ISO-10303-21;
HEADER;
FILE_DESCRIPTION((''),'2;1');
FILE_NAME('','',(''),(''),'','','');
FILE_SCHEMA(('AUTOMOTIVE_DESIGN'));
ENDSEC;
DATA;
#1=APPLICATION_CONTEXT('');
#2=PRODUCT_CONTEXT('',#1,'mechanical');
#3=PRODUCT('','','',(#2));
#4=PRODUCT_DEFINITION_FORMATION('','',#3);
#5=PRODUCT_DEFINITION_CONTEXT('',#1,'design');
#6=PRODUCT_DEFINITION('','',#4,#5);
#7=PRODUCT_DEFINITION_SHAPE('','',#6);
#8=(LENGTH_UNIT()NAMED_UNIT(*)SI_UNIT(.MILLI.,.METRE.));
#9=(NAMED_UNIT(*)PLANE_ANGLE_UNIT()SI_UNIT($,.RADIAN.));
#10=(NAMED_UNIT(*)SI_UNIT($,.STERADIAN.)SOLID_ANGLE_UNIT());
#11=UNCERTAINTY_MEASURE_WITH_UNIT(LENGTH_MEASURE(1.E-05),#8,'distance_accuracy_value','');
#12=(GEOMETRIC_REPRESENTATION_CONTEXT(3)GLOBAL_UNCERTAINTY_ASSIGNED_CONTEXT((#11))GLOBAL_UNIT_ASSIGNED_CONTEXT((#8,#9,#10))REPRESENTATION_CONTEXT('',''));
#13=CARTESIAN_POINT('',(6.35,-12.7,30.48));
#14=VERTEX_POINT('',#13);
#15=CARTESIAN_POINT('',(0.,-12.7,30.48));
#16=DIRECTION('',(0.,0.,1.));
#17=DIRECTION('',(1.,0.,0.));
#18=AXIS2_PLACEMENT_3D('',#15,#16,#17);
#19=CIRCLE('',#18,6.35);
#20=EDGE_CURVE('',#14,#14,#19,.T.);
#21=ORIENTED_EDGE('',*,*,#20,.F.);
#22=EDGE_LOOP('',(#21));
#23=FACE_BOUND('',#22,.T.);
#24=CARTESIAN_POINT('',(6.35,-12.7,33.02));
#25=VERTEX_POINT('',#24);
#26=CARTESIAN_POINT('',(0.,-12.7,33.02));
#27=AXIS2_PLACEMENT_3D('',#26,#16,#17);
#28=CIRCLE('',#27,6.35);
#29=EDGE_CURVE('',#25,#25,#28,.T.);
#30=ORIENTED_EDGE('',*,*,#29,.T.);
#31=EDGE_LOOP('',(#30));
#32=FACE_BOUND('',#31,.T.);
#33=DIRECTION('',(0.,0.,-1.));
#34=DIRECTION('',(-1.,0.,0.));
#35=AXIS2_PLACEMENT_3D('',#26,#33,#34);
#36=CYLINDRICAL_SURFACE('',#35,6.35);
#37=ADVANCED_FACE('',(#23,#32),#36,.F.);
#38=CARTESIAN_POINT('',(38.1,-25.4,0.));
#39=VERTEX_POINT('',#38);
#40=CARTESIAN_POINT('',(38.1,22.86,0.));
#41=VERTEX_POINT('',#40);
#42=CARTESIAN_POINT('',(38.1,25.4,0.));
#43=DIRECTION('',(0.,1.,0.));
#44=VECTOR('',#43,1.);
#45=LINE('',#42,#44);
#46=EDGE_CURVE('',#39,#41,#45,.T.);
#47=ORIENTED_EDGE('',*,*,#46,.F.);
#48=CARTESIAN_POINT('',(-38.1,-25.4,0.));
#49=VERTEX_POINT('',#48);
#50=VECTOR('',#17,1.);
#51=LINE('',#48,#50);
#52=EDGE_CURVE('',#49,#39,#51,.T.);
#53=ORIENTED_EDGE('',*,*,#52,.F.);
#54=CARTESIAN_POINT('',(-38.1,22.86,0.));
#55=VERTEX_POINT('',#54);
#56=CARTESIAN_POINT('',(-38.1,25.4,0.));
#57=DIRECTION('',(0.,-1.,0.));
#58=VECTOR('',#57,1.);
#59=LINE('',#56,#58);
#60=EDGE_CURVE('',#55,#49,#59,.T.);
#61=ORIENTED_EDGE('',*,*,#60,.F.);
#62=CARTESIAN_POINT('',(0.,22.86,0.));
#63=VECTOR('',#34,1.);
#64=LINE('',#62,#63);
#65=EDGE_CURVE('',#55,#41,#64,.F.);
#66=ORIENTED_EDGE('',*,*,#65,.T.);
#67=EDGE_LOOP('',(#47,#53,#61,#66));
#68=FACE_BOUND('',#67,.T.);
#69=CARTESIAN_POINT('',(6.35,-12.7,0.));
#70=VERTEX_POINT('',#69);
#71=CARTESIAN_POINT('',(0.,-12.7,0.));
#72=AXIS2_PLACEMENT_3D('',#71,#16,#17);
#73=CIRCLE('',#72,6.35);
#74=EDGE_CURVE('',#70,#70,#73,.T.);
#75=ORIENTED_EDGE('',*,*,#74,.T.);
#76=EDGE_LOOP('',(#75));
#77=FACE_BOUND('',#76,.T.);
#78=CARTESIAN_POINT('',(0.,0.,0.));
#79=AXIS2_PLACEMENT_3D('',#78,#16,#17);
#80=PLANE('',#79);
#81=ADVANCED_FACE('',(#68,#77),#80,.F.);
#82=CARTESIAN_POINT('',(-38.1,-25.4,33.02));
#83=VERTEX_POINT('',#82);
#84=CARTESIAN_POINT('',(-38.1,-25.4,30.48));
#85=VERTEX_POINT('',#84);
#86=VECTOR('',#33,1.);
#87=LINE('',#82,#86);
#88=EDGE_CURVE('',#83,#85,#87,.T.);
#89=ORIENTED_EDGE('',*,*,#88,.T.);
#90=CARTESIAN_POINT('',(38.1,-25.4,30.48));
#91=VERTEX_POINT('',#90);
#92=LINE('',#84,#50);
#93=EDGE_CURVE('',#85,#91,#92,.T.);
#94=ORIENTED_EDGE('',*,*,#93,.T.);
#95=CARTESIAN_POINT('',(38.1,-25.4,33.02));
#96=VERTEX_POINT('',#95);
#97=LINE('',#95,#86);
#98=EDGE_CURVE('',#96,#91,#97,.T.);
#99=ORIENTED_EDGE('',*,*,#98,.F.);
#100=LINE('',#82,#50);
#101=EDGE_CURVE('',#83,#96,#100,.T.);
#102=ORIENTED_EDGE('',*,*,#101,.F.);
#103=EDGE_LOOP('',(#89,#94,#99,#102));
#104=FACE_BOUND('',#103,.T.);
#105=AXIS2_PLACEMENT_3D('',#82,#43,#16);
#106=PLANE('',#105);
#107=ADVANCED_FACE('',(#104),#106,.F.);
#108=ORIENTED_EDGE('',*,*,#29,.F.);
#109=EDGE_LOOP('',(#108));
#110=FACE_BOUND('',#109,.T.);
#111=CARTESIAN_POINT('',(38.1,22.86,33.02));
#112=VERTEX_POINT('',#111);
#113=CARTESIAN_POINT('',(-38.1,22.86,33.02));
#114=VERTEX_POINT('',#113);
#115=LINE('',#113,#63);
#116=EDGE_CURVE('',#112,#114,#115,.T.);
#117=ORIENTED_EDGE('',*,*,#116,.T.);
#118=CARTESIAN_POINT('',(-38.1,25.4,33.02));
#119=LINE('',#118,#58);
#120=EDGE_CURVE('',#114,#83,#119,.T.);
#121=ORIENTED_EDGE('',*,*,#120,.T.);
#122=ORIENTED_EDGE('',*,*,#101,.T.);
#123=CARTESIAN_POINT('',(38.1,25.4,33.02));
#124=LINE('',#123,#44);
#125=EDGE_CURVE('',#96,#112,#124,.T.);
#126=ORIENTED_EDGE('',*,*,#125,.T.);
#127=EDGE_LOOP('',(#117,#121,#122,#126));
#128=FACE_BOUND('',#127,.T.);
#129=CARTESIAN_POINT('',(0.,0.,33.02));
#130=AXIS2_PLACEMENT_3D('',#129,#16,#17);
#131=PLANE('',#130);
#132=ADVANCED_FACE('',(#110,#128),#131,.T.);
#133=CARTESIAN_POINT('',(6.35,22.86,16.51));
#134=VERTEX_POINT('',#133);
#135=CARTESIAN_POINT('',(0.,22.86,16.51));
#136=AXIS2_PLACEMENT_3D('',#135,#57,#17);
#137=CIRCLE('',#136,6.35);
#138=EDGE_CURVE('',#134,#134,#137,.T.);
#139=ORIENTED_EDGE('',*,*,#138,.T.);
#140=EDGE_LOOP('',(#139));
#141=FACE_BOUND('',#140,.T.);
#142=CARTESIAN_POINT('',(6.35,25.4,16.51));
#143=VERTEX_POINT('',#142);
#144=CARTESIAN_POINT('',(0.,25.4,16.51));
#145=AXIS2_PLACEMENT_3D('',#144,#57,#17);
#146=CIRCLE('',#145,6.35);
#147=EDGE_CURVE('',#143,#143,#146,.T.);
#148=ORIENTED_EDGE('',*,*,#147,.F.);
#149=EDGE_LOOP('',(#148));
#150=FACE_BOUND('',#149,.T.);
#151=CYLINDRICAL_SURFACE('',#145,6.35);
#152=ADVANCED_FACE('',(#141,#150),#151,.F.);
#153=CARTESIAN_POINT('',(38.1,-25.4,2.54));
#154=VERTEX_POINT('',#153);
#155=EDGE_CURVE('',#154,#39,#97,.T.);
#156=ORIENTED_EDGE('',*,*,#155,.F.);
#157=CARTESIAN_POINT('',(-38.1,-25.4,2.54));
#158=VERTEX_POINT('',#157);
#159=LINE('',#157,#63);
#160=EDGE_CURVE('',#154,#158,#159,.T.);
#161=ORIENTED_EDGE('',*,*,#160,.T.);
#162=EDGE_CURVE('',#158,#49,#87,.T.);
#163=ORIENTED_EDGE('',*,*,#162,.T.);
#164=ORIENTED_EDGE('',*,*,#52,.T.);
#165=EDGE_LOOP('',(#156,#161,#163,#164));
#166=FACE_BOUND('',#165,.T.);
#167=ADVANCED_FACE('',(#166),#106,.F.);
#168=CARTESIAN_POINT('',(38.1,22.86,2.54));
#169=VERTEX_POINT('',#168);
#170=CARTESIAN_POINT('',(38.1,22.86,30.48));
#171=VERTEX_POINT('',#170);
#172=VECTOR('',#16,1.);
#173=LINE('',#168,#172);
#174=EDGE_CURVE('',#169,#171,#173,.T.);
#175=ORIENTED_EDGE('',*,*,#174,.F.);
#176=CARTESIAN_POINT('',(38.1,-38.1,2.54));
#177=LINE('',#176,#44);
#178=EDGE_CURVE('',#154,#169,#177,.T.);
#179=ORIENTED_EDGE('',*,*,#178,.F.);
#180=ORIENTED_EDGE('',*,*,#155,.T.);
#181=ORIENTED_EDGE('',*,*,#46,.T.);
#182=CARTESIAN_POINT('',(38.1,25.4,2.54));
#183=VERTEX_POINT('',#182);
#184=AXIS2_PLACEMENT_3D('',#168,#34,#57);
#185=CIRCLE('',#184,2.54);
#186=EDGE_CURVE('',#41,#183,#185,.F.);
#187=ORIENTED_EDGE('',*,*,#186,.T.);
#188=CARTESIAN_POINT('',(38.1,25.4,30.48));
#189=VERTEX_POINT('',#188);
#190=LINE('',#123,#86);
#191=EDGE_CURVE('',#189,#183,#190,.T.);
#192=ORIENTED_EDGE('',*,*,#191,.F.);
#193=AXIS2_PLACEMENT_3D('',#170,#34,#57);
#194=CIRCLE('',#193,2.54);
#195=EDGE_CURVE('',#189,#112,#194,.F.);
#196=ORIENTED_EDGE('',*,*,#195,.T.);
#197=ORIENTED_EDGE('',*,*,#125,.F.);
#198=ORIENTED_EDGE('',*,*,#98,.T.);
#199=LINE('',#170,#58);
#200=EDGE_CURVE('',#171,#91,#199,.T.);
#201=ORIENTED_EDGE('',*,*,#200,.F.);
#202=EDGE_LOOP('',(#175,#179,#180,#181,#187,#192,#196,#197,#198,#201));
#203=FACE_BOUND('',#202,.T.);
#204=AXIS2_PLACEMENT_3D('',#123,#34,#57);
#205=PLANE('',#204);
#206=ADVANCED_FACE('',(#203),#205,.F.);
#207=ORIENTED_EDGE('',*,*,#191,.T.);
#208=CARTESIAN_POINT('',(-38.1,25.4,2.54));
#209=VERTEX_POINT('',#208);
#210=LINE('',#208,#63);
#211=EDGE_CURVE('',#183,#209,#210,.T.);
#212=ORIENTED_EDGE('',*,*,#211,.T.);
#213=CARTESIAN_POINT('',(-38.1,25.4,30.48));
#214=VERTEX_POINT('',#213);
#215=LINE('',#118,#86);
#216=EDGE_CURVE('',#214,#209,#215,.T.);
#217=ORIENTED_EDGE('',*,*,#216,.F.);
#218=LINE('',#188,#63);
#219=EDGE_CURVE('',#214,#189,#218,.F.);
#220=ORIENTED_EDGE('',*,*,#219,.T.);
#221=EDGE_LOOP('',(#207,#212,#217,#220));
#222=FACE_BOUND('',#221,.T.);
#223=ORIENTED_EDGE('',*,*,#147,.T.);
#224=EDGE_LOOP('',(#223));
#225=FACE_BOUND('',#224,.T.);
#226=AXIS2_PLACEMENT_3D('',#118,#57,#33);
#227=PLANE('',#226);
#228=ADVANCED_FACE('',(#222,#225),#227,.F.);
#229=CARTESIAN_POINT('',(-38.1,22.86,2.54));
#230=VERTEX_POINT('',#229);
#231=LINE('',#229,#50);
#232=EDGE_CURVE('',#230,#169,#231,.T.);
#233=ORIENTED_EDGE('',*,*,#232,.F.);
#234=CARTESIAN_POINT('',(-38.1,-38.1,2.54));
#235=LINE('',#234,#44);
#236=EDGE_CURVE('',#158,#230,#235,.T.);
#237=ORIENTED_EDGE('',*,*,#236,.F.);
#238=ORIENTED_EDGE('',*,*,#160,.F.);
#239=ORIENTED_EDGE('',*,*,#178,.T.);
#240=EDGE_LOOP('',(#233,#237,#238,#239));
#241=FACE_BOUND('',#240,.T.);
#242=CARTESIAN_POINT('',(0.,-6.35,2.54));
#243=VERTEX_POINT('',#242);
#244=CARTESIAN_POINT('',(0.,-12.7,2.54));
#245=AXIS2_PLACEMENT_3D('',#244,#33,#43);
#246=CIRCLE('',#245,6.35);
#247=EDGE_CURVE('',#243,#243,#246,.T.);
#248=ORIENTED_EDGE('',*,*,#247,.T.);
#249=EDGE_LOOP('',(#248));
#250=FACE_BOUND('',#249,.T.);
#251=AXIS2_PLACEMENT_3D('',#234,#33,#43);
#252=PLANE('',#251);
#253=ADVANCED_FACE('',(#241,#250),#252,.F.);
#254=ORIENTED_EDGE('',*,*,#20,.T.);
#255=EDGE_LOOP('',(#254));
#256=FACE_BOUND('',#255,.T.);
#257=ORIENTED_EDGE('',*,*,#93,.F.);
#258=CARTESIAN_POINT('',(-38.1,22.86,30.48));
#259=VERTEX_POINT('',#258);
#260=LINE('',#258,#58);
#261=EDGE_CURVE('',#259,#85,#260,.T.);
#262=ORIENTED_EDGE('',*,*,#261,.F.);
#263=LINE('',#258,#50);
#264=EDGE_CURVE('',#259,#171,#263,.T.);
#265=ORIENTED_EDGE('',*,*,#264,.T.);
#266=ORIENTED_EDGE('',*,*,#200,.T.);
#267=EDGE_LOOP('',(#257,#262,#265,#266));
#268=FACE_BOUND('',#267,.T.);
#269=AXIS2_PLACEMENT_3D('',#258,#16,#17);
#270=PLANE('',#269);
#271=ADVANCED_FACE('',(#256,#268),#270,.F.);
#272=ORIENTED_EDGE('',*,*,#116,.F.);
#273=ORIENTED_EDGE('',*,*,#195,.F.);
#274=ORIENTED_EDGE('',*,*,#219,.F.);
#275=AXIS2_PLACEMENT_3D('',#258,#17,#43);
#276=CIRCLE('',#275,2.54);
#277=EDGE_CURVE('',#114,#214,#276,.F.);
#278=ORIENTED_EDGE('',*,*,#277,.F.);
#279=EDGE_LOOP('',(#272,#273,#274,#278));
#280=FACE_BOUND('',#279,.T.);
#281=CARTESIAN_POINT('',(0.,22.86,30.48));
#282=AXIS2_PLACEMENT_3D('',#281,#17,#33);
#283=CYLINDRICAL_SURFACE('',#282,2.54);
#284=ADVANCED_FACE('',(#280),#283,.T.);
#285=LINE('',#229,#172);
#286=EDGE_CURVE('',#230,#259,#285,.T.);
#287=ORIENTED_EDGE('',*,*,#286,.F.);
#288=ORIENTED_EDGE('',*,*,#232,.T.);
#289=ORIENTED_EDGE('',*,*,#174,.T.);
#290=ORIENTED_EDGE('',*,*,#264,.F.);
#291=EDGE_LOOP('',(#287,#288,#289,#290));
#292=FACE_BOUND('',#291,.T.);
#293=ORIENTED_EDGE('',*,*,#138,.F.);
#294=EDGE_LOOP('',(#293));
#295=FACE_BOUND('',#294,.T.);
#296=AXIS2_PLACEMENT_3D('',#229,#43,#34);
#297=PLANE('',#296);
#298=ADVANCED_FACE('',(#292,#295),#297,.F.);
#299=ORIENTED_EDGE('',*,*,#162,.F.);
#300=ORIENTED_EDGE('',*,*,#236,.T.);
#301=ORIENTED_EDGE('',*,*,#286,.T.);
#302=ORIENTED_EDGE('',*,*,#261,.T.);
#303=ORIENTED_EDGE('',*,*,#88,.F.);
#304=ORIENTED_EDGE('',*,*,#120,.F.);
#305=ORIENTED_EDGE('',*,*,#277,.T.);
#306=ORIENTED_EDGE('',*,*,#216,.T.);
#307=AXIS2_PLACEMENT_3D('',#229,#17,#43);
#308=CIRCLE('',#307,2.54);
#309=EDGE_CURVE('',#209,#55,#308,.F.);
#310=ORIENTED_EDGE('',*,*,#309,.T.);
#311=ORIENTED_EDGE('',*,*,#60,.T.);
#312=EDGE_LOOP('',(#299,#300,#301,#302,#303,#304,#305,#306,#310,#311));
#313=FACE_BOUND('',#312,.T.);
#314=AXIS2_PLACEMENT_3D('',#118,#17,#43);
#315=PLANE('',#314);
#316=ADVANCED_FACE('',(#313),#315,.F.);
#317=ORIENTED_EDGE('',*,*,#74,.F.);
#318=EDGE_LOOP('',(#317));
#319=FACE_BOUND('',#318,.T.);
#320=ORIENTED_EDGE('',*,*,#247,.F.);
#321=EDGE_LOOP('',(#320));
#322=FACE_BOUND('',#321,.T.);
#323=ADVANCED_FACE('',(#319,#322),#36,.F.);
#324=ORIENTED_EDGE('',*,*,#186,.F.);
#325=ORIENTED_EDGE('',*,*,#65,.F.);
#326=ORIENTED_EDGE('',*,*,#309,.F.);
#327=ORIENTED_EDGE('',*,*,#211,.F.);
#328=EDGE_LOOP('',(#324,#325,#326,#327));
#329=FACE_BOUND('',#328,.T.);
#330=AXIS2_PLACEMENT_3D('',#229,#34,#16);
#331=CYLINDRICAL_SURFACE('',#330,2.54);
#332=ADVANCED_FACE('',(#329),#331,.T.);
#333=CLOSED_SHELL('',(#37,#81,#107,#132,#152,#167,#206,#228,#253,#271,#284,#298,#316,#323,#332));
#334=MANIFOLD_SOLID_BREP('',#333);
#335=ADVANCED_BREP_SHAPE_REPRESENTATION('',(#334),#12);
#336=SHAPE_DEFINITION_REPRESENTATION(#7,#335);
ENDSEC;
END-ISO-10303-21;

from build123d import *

# Parameters (mm, degrees)
SKETCH1_W           = 76.2
SKETCH1_H           = 50.8
SKETCH1_R           = 6.35
BOSS_EXTRUDE1_DEPTH = 33.02
SKETCH2_W           = 27.94
SKETCH2_H           = 60.96
CUT_EXTRUDE1_DEPTH  = 87.844230666
SKETCH3_R           = 6.35
CUT_EXTRUDE2_DEPTH  = 70.792248853
FILLET1_R           = 2.54


with BuildPart() as part:
    # Sketch1 → Boss-Extrude1 (new body)
    with BuildSketch(Plane.XY):
        Rectangle(SKETCH1_W, SKETCH1_H)
        with Locations((0, -12.7)):
            Circle(SKETCH1_R, mode=Mode.SUBTRACT)
    extrude(amount=BOSS_EXTRUDE1_DEPTH)

    # Sketch2 → Cut-Extrude1 (cut, through all)
    with BuildSketch(Plane(origin=(38.1, 0, 0), x_dir=(0, 0, -1), z_dir=(1, 0, 0))):
        with Locations((-16.51, -7.62)):
            Rectangle(SKETCH2_W, SKETCH2_H)
    extrude(amount=-CUT_EXTRUDE1_DEPTH, mode=Mode.SUBTRACT)

    # Sketch3 → Cut-Extrude2 (cut, through all)
    with BuildSketch(Plane.XZ.offset(-22.86)):
        with Locations((0, 16.51)):
            Circle(SKETCH3_R)
    extrude(amount=-CUT_EXTRUDE2_DEPTH, mode=Mode.SUBTRACT)

    # Fillet1
    fillet1_edges = [part.edges().sort_by_distance(p)[0] for p in [
        (0, 25.4, 0),
        (0, 25.4, 33.02),
    ]]
    fillet(fillet1_edges, radius=FILLET1_R)


solid = part.part
